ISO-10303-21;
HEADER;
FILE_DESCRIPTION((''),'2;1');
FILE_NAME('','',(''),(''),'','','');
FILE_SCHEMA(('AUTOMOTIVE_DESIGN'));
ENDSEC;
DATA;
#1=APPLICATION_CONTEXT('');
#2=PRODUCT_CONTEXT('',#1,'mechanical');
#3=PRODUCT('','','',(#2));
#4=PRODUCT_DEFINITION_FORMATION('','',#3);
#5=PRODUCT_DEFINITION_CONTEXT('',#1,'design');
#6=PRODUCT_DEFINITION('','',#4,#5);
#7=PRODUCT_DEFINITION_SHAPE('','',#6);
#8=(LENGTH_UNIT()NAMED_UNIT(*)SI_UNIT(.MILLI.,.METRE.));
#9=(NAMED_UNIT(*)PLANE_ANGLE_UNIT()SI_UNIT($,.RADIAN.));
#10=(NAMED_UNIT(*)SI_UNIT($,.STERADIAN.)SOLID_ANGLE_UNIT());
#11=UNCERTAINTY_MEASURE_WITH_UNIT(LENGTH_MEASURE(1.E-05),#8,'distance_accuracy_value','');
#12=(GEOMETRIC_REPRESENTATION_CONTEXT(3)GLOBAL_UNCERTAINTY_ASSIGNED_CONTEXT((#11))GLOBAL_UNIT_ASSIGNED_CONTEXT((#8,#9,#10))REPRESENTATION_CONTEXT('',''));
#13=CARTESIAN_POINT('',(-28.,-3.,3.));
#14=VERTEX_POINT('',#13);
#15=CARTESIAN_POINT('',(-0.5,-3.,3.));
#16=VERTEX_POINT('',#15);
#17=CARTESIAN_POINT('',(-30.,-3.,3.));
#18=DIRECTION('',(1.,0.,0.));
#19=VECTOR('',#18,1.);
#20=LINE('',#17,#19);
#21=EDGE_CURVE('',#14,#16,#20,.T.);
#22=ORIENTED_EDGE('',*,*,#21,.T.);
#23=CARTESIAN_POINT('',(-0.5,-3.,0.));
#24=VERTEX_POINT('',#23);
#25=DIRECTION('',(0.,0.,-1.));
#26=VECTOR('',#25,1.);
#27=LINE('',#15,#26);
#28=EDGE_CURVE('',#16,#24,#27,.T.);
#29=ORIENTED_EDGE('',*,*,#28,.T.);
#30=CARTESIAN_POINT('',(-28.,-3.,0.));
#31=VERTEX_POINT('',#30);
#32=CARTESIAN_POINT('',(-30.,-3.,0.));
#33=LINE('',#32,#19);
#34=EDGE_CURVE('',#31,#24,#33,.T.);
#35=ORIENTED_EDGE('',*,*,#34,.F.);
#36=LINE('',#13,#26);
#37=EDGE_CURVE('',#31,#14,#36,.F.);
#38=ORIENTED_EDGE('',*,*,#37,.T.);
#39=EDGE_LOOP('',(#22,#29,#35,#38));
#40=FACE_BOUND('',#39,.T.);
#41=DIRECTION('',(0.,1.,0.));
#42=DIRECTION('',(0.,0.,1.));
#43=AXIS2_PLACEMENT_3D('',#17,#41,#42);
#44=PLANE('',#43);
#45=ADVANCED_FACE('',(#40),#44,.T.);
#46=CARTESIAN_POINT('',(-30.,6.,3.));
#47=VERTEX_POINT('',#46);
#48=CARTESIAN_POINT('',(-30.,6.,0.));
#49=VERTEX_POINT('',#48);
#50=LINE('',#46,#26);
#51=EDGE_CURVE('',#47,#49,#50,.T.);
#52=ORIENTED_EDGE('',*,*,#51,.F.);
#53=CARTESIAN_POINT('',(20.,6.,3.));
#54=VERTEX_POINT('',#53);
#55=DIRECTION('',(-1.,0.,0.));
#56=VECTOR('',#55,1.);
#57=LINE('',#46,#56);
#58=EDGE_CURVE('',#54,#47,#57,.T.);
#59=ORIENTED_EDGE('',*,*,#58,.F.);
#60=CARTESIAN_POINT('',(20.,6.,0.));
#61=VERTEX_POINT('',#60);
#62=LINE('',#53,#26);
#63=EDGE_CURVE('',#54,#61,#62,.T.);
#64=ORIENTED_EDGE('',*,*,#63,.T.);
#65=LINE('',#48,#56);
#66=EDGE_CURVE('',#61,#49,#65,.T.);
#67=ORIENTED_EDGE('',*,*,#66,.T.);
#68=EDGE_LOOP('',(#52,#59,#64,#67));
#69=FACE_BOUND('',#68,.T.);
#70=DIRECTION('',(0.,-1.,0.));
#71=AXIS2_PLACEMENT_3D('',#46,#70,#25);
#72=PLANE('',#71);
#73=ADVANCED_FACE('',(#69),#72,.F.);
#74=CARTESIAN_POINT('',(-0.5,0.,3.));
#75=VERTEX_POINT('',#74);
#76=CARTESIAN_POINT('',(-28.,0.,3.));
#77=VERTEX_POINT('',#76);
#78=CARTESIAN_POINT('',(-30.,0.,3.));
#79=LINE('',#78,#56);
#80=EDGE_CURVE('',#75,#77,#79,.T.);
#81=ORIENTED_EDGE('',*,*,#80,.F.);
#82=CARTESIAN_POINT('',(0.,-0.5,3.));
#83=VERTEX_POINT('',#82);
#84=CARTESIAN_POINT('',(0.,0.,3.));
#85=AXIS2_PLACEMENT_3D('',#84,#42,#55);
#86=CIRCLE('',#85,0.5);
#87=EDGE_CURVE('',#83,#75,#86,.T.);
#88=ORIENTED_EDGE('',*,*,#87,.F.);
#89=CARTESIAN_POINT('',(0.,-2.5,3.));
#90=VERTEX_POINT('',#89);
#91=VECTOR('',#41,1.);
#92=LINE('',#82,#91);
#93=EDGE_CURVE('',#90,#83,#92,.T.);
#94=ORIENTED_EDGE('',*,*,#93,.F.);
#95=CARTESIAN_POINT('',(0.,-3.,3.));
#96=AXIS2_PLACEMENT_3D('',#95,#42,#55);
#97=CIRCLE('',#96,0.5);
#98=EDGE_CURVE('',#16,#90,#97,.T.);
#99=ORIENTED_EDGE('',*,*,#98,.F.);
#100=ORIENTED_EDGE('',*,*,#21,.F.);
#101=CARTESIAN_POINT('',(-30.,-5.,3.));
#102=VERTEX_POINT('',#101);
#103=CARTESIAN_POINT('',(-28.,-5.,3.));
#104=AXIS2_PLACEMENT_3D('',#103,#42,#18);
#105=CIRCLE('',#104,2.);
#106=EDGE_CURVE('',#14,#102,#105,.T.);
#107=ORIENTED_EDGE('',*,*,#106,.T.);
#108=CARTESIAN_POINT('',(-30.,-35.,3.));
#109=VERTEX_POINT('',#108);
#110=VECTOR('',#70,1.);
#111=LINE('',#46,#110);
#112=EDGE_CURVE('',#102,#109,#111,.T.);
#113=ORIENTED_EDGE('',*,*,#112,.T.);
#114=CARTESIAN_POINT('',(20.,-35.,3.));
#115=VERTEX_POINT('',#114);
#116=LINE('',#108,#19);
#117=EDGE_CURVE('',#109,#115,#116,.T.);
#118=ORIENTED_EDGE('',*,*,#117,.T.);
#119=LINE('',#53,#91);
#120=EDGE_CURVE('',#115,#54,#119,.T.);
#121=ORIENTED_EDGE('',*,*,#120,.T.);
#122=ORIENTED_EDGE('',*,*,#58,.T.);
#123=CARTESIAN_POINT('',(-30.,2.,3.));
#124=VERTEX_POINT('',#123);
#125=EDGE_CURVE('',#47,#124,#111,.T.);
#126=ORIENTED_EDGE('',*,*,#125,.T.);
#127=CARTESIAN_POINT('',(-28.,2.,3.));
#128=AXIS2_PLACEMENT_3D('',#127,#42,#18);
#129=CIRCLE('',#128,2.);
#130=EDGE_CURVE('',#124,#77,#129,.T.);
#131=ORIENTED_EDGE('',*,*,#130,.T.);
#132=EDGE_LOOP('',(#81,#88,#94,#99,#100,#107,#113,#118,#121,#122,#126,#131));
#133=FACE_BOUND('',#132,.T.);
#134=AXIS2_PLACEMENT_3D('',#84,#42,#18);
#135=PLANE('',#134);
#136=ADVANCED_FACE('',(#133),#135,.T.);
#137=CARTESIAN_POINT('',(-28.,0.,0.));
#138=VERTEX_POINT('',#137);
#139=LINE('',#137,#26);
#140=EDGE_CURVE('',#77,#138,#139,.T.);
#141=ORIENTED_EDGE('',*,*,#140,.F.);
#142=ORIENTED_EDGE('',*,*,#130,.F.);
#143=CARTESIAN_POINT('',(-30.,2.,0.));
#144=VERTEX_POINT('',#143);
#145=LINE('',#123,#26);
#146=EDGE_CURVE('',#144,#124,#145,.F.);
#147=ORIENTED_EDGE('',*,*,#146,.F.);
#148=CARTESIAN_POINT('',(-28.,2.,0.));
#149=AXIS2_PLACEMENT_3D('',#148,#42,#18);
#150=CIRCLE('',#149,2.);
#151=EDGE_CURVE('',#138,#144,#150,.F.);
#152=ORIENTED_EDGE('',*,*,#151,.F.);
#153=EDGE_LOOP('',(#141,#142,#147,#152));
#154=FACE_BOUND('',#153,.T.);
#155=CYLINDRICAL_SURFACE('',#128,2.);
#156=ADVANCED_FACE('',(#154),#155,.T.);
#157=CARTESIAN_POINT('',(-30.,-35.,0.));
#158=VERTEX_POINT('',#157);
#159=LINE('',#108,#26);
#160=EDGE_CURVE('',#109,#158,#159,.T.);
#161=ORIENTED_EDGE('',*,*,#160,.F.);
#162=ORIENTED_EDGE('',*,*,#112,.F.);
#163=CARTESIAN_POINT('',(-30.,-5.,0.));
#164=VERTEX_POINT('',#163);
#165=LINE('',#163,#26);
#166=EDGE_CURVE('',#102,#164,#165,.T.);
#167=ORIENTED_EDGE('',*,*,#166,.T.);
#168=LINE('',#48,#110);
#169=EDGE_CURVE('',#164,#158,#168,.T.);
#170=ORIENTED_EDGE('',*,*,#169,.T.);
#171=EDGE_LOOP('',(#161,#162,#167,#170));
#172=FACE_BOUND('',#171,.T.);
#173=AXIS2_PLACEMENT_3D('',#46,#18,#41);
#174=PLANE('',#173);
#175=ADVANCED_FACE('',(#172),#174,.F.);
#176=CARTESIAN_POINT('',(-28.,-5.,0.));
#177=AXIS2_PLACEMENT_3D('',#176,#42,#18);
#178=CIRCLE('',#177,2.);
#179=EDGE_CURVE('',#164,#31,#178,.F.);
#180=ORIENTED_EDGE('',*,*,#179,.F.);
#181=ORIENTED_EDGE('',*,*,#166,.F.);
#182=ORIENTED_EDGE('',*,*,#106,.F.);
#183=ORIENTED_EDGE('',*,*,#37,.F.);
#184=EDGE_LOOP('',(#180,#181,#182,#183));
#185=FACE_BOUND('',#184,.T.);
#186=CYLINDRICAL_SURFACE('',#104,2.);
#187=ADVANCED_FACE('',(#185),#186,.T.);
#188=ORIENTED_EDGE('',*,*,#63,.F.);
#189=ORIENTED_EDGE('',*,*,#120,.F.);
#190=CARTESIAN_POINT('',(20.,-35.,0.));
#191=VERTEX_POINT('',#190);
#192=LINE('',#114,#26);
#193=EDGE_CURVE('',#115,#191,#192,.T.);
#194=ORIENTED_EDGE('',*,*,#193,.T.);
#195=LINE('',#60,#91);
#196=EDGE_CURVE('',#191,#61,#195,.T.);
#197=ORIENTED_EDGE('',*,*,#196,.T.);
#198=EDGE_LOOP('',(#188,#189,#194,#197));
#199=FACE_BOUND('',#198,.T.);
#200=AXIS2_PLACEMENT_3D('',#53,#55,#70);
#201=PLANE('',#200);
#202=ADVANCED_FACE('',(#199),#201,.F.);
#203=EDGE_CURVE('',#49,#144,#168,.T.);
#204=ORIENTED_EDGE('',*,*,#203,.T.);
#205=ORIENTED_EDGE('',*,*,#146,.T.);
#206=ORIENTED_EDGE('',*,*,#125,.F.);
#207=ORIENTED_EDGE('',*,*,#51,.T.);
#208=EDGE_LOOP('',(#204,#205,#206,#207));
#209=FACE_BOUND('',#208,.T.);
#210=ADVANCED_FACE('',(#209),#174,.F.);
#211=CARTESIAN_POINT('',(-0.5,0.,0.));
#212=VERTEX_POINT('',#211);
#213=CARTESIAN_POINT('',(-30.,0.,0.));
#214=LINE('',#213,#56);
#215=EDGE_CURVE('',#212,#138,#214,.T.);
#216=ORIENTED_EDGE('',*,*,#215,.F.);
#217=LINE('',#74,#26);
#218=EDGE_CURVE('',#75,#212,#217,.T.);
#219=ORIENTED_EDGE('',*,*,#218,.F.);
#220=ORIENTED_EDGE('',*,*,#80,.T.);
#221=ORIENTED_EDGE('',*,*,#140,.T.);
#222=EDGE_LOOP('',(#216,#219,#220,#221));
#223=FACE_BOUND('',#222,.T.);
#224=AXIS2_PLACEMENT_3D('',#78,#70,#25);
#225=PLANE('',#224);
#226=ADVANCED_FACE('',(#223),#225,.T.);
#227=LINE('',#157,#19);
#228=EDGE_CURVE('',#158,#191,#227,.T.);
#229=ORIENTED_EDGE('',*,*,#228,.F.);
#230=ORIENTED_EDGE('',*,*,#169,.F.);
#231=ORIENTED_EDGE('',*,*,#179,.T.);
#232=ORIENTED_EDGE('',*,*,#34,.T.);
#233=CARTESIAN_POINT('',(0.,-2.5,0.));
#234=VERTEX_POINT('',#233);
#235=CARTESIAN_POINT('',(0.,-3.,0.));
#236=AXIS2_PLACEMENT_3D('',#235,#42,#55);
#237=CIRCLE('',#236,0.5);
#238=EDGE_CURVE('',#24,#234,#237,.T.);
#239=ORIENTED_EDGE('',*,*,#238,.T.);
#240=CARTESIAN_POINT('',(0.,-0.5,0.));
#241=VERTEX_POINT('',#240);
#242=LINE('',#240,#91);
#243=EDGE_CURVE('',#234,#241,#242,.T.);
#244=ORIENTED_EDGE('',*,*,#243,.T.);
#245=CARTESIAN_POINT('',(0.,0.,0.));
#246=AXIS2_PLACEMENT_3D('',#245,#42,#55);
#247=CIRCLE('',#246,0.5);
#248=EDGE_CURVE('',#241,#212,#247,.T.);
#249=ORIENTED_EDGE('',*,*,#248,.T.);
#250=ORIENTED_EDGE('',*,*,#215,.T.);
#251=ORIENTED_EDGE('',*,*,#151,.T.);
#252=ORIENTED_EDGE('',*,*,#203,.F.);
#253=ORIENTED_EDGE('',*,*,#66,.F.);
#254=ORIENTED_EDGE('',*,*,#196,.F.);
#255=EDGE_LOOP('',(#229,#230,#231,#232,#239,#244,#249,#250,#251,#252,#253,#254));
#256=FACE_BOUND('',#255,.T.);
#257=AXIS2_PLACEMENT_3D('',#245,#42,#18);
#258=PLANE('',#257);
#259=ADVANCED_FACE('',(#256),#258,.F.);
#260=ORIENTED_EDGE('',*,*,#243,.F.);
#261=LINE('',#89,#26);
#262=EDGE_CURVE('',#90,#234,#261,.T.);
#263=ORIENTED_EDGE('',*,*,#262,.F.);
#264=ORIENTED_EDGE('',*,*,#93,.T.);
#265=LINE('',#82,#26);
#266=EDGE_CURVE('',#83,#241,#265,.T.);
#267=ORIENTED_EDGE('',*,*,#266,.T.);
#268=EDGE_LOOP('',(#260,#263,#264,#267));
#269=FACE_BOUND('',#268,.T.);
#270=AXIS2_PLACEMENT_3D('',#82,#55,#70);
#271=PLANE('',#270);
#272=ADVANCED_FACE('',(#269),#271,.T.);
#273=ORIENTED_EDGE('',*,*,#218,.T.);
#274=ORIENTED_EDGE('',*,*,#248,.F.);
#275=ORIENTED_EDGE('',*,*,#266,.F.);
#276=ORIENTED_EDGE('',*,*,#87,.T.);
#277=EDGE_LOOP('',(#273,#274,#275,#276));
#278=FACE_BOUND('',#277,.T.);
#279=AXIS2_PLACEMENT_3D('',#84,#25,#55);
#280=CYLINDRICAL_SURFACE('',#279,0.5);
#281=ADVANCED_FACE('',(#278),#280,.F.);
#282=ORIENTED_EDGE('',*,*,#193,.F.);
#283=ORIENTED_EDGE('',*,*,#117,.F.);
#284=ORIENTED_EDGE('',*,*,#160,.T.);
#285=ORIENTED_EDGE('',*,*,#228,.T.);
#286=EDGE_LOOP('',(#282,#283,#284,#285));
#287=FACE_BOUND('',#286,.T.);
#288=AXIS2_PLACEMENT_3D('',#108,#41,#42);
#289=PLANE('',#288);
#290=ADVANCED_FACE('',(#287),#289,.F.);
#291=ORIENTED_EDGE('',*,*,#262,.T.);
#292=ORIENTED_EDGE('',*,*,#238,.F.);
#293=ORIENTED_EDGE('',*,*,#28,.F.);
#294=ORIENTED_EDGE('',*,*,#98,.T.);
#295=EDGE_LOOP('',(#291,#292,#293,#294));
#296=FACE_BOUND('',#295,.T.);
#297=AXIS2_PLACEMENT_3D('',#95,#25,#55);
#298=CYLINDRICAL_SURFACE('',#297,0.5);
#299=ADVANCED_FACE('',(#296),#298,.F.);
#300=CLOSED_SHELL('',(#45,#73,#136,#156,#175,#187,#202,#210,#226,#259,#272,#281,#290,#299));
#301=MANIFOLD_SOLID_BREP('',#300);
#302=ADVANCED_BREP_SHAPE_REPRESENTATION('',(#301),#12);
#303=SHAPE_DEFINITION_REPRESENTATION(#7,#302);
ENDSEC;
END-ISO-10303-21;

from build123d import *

# Parameters (mm, degrees)
SKETCH1_W           = 50
SKETCH1_H           = 41
BOSS_EXTRUDE1_DEPTH = 3
CUT_EXTRUDE1_DEPTH  = 47.19523785
FILLET1_R           = 2


with BuildPart() as part:
    # Sketch1 → Boss-Extrude1 (new body)
    with BuildSketch(Plane.XY):
        with Locations((-5, -14.5)):
            Rectangle(SKETCH1_W, SKETCH1_H)
    extrude(amount=BOSS_EXTRUDE1_DEPTH)

    # Sketch2 → Cut-Extrude1 (cut, through all)
    with BuildSketch(Plane.XY):
        with BuildLine():
            Line((-30, 0), (-0.5, 0))
            ThreePointArc((-0.5, 0), (0.353553391, 0.353553391), (0, -0.5))
            Line((0, -0.5), (0, -2.5))
            ThreePointArc((0, -2.5), (0.353553391, -3.353553391), (-0.5, -3))
            Line((-0.5, -3), (-30, -3))
            Line((-30, -3), (-30, 0))
        make_face()
    extrude(amount=CUT_EXTRUDE1_DEPTH, mode=Mode.SUBTRACT)

    # Fillet1
    fillet1_edges = [part.edges().sort_by_distance(p)[0] for p in [
        (-30, 0, 1.5),
        (-30, -3, 1.5),
    ]]
    fillet(fillet1_edges, radius=FILLET1_R)


solid = part.part
